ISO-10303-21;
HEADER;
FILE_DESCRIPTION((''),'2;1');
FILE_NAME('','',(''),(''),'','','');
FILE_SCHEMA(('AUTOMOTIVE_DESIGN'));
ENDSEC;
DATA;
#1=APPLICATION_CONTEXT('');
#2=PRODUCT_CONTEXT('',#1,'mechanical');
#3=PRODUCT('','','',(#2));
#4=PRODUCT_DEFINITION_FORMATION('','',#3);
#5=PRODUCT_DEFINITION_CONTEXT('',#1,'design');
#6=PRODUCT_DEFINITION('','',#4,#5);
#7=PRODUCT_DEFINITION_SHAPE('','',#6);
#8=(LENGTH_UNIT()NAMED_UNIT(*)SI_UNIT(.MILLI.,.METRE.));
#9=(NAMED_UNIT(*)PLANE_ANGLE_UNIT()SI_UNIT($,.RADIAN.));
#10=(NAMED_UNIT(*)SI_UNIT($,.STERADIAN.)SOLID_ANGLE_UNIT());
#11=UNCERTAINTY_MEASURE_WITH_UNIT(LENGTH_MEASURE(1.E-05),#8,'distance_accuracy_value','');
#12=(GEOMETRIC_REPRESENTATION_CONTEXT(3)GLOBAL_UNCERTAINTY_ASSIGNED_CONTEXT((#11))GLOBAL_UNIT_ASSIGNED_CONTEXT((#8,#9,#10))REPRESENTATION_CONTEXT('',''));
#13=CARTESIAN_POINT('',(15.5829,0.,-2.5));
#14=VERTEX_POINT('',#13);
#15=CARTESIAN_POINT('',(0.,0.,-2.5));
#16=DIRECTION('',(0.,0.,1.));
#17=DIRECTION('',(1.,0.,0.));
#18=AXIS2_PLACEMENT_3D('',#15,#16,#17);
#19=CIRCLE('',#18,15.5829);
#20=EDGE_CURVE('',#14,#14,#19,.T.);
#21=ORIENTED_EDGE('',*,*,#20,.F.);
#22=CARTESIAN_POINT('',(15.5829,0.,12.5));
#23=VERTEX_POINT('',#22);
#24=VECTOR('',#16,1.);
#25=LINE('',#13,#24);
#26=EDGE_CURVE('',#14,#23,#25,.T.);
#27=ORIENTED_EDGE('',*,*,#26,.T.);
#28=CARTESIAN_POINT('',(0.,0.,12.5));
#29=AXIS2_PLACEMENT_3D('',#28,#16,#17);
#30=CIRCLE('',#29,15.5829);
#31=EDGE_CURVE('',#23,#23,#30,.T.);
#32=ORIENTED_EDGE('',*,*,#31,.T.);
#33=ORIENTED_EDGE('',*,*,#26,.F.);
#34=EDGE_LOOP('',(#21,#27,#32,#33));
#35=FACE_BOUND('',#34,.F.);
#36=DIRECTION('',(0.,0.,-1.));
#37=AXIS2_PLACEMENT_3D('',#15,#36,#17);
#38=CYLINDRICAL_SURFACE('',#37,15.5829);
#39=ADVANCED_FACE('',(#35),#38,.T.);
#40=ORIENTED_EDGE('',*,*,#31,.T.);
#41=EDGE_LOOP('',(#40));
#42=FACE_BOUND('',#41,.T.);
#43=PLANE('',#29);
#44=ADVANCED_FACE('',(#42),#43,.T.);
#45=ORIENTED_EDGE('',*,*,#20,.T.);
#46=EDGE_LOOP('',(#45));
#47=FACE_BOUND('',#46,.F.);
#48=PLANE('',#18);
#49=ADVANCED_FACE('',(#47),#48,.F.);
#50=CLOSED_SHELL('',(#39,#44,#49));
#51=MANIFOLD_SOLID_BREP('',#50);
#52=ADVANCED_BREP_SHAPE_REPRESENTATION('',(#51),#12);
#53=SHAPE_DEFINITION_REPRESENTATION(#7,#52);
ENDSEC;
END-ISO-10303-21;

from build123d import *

# Parameters (mm, degrees)
CYLINDER_R     = 15.5829
CYLINDER_DEPTH = 15


with BuildPart() as part:
    # Cylinder → Cylinder (new body)
    with BuildSketch(Plane.XY.offset(-2.5)):
        Circle(CYLINDER_R)
    extrude(amount=CYLINDER_DEPTH)


solid = part.part
